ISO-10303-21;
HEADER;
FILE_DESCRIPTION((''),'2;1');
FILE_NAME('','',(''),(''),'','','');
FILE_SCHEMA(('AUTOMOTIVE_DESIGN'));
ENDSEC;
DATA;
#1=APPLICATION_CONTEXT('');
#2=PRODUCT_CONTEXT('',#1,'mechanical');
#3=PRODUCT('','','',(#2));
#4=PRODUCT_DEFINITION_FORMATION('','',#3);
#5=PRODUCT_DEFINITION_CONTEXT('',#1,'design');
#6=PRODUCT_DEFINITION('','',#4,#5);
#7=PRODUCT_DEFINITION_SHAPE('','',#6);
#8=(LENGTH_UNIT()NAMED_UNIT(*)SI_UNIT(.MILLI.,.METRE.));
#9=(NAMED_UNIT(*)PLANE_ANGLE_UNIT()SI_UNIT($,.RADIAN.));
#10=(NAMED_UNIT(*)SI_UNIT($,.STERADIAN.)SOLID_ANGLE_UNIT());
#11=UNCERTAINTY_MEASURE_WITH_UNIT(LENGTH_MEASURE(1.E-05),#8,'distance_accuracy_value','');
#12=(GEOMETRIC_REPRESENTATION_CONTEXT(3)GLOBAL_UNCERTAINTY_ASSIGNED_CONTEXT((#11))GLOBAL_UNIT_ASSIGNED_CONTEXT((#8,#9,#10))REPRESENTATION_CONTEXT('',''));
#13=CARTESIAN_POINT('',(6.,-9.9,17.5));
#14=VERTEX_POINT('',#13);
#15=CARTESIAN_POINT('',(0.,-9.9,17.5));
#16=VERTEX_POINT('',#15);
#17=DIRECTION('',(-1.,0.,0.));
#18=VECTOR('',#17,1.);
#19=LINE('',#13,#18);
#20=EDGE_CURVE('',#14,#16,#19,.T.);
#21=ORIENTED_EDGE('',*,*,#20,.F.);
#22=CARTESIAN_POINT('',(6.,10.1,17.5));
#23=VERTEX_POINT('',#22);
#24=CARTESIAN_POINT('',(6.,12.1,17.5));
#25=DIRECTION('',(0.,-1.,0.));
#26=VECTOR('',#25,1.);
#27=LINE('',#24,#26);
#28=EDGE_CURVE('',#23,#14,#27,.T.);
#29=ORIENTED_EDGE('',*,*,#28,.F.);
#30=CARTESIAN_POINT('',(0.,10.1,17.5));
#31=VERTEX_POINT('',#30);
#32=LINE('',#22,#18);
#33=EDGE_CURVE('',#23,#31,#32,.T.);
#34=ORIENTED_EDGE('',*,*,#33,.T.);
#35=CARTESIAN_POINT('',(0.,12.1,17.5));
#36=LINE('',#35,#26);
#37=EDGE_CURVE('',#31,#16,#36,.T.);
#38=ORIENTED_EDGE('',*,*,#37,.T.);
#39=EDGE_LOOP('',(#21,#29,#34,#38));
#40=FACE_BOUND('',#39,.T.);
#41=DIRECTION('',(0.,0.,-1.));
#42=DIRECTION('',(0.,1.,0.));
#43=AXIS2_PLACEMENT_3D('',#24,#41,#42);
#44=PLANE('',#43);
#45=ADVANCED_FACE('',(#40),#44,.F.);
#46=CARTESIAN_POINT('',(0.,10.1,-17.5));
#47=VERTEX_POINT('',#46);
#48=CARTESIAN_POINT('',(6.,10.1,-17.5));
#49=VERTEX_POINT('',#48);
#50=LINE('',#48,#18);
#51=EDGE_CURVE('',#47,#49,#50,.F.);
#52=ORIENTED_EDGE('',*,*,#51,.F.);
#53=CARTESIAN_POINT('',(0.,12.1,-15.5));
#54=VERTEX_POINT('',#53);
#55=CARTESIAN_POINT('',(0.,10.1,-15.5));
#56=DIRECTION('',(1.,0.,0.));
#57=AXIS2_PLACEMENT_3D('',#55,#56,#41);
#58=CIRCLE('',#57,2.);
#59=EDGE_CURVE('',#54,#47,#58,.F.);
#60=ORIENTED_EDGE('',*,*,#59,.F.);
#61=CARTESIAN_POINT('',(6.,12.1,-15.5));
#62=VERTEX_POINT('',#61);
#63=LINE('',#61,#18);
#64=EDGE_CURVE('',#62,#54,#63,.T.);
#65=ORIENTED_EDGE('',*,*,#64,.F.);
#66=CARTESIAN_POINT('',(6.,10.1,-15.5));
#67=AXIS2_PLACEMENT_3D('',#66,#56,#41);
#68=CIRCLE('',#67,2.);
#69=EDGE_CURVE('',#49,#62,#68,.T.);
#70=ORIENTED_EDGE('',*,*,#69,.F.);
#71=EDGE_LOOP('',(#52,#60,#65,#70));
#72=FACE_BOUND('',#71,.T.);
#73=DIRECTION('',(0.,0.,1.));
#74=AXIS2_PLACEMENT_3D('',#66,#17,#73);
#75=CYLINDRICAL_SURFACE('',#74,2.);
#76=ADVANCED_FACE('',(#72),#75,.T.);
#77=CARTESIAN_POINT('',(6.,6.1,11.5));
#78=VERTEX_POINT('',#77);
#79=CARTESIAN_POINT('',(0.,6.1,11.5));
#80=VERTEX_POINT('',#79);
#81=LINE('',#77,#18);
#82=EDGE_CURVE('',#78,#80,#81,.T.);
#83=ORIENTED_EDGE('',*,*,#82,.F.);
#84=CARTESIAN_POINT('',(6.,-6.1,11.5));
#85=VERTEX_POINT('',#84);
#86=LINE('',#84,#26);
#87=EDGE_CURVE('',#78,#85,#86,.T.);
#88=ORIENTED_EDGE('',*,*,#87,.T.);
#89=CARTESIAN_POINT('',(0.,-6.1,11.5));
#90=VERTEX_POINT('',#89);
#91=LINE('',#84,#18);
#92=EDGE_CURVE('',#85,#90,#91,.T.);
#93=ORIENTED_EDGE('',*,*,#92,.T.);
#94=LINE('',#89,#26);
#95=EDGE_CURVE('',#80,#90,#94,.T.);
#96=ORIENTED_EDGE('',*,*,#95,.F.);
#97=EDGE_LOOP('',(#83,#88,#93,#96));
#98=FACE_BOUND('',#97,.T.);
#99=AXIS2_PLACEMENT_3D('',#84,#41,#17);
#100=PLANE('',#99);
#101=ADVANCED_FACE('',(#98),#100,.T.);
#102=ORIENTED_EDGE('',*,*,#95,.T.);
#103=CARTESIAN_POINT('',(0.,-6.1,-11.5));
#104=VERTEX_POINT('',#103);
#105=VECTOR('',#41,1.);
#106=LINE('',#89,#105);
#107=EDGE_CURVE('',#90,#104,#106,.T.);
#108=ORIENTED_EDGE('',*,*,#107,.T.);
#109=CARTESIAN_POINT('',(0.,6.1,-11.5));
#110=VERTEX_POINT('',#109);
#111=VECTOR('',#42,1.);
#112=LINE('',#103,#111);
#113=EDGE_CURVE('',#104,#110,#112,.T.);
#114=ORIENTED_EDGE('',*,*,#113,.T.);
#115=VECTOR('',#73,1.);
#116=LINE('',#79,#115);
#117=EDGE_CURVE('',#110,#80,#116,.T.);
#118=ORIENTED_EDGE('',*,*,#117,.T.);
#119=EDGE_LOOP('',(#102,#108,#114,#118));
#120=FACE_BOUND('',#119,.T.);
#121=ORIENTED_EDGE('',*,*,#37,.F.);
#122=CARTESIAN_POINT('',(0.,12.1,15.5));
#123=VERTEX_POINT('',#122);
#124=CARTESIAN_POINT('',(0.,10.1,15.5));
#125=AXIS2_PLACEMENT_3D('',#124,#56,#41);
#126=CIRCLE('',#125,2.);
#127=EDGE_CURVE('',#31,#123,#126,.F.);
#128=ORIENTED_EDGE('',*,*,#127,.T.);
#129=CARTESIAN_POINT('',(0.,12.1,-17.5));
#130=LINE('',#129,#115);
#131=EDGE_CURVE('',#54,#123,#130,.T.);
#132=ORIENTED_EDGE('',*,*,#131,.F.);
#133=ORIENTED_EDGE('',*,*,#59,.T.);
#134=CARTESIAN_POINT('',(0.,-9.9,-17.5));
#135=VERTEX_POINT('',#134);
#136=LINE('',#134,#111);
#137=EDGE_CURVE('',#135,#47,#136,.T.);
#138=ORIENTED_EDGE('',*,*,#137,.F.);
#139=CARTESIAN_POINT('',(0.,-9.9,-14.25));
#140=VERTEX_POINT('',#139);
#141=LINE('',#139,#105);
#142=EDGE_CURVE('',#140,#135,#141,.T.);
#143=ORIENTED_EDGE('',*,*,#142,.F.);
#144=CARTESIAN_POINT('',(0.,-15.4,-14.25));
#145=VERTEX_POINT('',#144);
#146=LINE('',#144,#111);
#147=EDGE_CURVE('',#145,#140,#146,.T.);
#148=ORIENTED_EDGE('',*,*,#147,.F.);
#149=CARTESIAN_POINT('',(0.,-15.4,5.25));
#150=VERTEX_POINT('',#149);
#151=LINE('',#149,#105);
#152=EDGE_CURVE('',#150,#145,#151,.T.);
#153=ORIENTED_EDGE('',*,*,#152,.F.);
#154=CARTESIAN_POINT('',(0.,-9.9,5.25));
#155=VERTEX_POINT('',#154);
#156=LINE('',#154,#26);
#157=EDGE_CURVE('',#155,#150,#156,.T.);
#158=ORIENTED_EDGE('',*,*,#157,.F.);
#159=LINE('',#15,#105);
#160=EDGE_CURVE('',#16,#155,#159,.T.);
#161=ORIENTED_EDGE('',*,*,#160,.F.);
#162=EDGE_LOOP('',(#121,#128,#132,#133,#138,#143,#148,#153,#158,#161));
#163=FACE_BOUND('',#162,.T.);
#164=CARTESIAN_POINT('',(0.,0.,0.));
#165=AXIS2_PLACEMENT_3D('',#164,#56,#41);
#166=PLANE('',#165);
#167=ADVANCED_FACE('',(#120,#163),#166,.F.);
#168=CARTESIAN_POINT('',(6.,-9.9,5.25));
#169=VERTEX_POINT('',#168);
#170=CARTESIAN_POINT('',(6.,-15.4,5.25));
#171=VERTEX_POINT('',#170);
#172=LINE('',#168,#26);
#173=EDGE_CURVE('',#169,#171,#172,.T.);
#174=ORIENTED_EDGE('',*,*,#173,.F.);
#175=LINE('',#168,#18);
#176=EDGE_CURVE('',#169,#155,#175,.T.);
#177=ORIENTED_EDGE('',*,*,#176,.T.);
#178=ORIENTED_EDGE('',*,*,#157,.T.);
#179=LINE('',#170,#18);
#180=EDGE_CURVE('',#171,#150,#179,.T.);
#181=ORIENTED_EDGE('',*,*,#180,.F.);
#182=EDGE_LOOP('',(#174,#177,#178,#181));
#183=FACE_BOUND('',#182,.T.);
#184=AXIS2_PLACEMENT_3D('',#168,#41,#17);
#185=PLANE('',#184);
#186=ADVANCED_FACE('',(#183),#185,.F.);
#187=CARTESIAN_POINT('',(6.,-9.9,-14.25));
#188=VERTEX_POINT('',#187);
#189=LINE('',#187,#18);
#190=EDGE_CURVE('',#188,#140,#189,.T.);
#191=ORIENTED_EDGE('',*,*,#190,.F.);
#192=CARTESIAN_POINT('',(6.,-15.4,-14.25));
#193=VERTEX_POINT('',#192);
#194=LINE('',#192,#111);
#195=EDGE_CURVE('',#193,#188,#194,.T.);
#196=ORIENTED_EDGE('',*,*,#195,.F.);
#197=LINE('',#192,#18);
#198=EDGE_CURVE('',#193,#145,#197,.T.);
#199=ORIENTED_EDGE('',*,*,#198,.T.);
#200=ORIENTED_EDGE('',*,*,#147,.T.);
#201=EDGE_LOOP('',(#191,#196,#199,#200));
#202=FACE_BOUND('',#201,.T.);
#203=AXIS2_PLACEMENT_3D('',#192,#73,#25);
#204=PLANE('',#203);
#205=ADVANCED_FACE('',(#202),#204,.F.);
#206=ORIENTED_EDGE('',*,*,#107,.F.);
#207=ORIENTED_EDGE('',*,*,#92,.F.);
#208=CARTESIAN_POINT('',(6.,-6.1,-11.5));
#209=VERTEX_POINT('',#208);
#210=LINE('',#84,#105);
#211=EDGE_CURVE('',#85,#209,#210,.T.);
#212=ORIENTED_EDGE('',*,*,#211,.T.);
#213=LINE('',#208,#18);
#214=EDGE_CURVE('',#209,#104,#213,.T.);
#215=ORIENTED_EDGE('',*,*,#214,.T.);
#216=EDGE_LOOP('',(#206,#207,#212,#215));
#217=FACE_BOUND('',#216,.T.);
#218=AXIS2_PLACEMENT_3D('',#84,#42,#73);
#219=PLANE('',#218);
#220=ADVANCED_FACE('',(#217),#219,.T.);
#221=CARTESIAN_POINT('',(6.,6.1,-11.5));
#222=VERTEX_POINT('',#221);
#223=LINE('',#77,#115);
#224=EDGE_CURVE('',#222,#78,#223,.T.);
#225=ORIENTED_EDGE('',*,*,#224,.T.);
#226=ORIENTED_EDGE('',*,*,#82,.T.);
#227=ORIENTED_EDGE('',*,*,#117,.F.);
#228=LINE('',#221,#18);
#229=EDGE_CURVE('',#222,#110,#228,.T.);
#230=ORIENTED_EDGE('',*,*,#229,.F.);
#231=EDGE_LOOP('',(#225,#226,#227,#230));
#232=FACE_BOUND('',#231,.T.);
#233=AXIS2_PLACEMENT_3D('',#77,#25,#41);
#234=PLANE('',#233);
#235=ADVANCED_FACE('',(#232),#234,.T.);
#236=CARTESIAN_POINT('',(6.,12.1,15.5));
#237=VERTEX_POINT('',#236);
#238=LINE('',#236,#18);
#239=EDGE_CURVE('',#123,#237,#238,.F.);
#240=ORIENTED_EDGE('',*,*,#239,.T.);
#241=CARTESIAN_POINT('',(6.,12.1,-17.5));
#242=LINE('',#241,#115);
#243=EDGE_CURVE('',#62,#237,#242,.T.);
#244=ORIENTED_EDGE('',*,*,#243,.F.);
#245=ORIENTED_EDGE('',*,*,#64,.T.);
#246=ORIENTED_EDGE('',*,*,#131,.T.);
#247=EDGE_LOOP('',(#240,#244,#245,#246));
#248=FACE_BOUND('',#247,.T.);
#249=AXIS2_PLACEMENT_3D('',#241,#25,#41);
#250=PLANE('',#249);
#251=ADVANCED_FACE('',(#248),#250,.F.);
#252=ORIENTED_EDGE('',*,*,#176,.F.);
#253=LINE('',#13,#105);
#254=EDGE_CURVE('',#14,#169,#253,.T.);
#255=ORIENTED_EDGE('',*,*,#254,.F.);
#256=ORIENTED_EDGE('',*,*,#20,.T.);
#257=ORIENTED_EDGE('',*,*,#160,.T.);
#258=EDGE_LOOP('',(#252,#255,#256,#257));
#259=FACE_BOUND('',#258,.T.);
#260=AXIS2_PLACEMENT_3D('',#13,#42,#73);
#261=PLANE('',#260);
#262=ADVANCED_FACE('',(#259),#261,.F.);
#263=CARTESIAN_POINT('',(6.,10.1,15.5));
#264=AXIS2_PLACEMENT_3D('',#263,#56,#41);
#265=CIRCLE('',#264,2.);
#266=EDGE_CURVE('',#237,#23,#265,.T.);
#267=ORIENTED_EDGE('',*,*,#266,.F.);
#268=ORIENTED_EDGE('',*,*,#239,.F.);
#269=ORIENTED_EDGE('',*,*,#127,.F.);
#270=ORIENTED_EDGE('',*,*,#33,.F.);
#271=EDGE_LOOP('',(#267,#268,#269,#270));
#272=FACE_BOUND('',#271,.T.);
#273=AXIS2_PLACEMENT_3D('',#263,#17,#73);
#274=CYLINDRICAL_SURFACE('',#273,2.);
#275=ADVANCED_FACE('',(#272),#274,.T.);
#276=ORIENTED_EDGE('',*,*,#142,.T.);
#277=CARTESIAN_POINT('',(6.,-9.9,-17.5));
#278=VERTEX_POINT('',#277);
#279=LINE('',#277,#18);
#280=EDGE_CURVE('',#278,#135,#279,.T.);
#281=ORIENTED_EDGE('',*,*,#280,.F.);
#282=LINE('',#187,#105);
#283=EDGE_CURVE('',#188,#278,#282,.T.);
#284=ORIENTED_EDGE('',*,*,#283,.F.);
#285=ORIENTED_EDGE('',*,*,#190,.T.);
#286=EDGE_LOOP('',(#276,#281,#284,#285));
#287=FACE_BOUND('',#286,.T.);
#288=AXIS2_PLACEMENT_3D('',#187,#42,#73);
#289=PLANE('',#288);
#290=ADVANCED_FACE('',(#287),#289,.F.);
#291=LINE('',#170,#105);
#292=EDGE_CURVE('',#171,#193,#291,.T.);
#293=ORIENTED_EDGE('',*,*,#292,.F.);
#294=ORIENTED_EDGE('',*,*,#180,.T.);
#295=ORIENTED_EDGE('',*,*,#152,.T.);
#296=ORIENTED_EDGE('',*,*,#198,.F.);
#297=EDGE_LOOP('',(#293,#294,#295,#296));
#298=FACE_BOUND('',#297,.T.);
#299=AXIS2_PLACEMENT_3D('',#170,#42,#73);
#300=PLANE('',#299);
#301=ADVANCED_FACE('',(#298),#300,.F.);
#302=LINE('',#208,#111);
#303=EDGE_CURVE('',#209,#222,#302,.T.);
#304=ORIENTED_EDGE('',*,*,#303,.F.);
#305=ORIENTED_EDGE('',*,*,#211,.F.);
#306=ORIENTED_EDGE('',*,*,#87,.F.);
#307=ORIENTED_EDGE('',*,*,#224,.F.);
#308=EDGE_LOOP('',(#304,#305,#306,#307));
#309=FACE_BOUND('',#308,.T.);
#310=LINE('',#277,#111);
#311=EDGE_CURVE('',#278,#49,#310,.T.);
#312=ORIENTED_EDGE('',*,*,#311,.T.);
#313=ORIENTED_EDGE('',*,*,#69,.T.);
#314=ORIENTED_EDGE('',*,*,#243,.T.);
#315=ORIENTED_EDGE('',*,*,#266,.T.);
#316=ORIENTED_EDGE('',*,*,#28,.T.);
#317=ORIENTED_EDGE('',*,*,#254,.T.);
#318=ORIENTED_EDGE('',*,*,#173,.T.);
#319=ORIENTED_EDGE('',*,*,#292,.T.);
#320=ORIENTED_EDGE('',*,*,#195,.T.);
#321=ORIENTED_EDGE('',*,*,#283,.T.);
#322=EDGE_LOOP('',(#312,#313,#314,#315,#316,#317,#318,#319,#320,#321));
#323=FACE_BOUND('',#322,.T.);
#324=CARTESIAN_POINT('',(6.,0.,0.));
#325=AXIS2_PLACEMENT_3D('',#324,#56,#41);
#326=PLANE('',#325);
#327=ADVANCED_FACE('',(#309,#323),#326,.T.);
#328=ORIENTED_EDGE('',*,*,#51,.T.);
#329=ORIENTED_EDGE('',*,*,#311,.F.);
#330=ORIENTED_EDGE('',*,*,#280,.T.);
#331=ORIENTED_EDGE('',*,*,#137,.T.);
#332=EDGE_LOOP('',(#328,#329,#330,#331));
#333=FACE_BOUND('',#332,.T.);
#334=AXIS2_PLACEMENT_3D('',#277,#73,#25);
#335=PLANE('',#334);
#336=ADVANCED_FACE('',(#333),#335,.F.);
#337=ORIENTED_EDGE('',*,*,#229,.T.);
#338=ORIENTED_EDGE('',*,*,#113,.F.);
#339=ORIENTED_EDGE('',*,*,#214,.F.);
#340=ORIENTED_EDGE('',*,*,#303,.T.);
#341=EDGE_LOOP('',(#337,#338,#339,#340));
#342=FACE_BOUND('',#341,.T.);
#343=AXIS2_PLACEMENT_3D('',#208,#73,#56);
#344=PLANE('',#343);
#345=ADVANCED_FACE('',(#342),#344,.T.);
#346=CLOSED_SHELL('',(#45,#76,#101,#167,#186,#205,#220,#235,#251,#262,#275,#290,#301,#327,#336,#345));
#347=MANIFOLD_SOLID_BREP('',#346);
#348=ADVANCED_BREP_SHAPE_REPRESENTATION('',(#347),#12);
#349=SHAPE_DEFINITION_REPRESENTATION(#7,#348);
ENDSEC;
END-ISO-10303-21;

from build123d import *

# Parameters (mm, degrees)
SKETCH1_W           = 23
SKETCH1_H           = 12.2
BOSS_EXTRUDE1_DEPTH = 6
FILLET1_R           = 2


with BuildPart() as part:
    # Sketch1 → Boss-Extrude1 (new body)
    with BuildSketch(Plane(origin=(0, 0, 0), x_dir=(0, 0, -1), z_dir=(1, 0, 0))):
        Polygon((17.5, -9.9), (17.5, 12.1), (-17.5, 12.1), (-17.5, -9.9), (-5.25, -9.9), (-5.25, -15.4), (14.25, -15.4), (14.25, -9.9), align=None)
        Rectangle(SKETCH1_W, SKETCH1_H, mode=Mode.SUBTRACT)
    extrude(amount=BOSS_EXTRUDE1_DEPTH)

    # Fillet1
    fillet1_edges = [part.edges().sort_by_distance(p)[0] for p in [
        (3, 12.1, -17.5),
        (3, 12.1, 17.5),
    ]]
    fillet(fillet1_edges, radius=FILLET1_R)


solid = part.part
